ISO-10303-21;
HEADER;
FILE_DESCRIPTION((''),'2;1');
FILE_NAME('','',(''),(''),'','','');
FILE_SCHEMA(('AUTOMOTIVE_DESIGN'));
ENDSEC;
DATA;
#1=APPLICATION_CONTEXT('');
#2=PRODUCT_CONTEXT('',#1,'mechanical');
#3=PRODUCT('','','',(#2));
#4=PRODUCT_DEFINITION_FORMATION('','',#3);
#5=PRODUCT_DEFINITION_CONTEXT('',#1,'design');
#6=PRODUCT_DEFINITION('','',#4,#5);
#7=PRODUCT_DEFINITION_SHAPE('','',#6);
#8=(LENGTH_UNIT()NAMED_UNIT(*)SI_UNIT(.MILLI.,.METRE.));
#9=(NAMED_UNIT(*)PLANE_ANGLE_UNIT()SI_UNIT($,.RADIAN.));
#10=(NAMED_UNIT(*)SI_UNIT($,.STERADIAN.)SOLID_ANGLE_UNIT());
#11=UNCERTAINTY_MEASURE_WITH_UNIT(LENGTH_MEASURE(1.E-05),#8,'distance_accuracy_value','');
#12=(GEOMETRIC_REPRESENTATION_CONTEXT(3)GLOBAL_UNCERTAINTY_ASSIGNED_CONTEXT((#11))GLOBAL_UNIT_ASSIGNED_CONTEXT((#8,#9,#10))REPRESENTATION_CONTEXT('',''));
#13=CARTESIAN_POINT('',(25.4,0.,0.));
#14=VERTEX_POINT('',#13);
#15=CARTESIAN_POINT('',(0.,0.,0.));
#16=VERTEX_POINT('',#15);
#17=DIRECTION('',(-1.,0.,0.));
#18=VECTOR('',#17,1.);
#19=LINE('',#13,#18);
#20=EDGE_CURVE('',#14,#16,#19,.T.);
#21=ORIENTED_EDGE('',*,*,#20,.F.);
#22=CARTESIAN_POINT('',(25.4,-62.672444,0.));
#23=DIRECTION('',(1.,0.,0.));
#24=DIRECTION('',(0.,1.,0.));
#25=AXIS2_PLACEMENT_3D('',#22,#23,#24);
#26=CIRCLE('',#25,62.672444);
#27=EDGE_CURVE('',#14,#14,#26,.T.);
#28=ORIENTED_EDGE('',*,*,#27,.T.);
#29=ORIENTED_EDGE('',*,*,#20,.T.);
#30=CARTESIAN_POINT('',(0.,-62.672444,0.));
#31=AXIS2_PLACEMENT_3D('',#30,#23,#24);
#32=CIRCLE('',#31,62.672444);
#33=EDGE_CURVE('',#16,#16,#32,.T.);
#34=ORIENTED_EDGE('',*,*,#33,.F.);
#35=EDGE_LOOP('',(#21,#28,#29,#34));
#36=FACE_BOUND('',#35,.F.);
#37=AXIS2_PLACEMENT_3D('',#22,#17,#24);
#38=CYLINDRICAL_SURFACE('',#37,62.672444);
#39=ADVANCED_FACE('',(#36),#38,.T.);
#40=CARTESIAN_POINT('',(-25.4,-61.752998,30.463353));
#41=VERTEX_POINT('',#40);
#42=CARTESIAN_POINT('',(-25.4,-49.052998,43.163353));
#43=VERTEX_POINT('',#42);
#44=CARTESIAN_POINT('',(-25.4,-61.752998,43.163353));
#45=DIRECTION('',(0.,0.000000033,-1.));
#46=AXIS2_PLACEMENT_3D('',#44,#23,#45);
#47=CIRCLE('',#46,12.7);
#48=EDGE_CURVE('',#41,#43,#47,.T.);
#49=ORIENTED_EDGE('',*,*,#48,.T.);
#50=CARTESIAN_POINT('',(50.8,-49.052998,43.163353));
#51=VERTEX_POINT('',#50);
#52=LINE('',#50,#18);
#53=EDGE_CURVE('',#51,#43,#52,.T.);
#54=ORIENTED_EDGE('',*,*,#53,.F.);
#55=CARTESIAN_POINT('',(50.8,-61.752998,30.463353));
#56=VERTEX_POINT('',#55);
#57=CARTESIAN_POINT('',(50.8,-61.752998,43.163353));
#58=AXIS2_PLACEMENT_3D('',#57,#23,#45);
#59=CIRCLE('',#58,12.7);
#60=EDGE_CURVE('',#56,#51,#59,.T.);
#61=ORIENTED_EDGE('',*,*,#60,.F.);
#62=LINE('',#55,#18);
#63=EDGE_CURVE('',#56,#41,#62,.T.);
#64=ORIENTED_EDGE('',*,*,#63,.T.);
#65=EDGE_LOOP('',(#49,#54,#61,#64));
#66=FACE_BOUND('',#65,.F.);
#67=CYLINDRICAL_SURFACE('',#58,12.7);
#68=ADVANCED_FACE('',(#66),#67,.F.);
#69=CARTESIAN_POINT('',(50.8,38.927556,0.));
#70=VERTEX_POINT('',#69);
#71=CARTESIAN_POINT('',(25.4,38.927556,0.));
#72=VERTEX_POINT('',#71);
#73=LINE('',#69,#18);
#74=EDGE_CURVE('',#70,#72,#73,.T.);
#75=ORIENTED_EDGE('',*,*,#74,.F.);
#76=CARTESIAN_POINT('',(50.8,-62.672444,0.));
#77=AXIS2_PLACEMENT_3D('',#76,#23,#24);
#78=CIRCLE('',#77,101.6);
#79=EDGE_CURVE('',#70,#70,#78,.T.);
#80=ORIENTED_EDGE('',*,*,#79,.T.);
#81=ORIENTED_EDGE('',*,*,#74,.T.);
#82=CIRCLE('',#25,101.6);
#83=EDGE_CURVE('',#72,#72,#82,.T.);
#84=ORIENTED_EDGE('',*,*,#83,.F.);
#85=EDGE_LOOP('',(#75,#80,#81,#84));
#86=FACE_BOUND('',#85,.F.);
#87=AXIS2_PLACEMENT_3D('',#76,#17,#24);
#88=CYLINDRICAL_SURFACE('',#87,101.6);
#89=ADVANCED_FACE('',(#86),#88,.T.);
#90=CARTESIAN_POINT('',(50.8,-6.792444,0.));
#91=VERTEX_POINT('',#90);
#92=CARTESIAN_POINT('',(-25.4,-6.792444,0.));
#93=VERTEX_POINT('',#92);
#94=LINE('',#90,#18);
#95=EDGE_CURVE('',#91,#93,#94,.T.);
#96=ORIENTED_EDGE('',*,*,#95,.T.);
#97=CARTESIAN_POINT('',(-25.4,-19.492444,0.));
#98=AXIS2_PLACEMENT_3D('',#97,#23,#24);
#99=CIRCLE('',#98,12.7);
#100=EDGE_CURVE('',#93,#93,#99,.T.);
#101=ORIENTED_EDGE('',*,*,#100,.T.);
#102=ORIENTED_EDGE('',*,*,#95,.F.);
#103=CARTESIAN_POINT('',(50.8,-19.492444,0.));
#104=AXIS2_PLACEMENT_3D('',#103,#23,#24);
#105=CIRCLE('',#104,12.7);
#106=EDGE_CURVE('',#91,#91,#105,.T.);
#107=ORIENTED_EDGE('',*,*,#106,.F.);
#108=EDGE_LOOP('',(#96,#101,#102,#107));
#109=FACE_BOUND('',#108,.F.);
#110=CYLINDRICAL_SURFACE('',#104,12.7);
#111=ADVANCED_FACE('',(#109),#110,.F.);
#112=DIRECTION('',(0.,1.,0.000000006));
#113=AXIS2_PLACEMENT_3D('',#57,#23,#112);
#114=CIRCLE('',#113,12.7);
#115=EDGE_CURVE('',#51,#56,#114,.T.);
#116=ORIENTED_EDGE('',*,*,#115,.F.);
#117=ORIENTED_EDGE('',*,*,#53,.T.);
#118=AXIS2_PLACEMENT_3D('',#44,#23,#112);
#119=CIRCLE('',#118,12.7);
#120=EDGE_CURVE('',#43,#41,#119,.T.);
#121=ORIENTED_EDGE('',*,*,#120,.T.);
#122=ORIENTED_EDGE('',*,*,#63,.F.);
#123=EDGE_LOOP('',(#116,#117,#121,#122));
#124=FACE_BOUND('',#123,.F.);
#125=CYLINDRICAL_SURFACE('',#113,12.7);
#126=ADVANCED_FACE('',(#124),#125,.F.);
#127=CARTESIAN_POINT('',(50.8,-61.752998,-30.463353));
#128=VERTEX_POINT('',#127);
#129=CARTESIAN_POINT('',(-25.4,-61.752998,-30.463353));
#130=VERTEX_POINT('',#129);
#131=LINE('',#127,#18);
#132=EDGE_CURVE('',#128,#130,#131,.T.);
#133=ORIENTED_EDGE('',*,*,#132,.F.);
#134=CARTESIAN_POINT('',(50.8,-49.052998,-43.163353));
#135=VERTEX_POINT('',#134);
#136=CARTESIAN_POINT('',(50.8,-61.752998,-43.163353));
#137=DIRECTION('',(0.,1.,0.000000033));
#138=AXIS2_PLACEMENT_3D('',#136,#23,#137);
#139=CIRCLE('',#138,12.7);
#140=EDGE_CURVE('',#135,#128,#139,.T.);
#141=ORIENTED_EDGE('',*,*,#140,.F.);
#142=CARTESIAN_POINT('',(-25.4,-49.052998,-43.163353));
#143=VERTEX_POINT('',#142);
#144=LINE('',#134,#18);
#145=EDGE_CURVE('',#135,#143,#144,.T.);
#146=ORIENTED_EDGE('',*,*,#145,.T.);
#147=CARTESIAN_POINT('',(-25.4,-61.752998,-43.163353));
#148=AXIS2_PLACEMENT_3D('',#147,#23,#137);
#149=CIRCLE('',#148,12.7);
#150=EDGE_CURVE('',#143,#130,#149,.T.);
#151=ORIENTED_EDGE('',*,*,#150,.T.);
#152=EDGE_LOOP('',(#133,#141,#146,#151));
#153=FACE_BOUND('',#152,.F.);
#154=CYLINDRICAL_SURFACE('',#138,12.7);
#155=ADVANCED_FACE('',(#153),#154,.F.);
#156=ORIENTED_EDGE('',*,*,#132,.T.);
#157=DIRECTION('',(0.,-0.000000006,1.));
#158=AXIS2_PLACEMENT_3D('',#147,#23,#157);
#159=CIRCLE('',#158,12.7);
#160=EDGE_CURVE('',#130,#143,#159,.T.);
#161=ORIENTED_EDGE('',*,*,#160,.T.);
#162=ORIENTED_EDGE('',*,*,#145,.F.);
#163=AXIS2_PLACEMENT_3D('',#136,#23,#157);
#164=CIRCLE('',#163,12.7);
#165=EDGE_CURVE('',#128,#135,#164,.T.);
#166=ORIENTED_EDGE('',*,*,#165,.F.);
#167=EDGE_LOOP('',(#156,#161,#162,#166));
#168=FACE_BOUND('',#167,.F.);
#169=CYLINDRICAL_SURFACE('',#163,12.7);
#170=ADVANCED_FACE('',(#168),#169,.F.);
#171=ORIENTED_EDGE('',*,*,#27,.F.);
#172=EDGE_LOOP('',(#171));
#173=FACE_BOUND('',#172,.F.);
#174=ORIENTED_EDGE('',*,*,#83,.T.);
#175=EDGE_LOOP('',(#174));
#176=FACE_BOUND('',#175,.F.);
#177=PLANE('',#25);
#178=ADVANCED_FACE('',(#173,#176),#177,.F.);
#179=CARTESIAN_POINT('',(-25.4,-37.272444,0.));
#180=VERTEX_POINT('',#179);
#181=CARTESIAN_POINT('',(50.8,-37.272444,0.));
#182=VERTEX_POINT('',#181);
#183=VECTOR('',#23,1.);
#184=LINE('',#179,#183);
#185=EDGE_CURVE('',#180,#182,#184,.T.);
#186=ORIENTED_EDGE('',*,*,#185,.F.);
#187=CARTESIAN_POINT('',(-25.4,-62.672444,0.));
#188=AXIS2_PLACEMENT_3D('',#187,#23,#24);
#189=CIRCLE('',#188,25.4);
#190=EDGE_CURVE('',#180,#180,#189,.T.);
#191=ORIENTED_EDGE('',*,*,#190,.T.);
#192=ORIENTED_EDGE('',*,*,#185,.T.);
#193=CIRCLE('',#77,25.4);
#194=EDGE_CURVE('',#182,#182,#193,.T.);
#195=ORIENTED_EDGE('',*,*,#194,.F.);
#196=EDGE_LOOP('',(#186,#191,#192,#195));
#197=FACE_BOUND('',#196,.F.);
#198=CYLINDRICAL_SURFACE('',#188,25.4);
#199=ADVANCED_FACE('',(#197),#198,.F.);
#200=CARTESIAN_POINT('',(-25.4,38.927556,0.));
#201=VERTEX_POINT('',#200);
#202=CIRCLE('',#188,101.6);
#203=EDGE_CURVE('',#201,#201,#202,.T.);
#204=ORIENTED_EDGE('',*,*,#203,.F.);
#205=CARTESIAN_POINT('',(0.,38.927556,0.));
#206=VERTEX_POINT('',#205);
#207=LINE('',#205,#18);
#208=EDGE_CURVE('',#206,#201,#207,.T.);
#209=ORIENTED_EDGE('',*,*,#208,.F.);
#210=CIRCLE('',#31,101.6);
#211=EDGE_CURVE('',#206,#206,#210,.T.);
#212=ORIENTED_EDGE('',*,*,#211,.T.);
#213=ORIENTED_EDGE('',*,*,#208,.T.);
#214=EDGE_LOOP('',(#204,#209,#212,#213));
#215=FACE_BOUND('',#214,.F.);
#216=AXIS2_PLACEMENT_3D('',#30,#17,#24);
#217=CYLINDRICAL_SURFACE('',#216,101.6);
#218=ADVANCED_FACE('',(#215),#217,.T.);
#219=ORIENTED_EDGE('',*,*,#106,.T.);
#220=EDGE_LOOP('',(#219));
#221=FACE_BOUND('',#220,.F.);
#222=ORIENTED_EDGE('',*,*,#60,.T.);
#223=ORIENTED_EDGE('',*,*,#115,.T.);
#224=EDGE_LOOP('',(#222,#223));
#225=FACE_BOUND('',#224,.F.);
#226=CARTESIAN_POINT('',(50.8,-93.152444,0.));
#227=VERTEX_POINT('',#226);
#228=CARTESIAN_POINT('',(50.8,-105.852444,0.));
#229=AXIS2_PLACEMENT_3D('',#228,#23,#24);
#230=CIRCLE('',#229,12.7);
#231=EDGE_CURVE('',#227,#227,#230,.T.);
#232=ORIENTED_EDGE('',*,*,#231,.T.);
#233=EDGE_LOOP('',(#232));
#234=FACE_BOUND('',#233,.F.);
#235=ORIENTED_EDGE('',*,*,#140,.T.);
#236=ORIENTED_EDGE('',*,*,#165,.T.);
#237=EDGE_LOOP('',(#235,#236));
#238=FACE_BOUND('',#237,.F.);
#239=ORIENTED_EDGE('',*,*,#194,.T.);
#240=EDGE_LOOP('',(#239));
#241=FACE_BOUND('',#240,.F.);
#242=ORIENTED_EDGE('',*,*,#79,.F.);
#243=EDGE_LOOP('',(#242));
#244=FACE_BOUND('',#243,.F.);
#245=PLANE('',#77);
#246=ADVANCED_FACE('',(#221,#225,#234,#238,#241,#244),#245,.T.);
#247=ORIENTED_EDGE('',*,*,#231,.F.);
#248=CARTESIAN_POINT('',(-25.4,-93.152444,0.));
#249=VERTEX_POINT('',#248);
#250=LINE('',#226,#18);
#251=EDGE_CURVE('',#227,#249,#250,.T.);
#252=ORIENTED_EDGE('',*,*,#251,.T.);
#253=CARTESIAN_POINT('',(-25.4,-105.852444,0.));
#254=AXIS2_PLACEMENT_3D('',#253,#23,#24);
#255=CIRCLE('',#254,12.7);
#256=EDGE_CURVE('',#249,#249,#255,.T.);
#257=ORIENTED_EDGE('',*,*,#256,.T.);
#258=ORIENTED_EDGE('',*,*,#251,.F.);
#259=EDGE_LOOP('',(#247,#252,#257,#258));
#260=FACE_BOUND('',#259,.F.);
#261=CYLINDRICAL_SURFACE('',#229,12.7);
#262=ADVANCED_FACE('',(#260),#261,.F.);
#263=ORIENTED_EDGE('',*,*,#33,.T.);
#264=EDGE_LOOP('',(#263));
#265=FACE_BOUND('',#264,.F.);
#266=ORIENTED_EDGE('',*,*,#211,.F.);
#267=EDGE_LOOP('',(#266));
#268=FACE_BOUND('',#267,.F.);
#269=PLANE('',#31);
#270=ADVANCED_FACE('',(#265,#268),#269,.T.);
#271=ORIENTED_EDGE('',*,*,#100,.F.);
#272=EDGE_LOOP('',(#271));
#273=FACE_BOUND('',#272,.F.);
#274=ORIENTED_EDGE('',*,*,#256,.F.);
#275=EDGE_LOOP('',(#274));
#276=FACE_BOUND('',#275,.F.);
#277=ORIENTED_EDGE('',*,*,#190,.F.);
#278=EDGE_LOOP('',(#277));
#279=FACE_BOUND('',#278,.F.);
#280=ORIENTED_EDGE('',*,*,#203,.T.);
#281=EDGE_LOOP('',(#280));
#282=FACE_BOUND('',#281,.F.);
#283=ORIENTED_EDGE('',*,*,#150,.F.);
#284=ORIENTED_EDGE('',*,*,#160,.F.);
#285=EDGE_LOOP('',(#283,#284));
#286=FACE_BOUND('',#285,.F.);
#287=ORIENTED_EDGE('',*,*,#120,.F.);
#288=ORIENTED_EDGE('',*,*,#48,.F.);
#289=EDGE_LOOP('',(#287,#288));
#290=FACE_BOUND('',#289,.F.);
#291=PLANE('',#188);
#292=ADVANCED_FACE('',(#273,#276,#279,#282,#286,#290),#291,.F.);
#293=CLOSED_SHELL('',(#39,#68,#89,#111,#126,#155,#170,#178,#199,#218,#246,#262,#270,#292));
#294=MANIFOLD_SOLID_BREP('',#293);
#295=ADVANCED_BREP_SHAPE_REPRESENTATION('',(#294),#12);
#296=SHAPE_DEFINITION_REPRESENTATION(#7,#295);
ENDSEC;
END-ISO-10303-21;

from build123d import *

# Parameters (mm, degrees)
F2_R     = 12.7
F3_DEPTH = 76.2


with BuildPart() as f1:
    # F0 (on Top) → F1 (revolve)
    with BuildSketch(Plane.XY):
        Polygon((0, 38.927556), (-25.4, 38.927556), (-25.4, -37.272444), (50.8, -37.272444), (50.8, 38.927556), (25.4, 38.927556), (25.4, 0), (0, 0), align=None)
    revolve(axis=Axis((12.7, -62.672444, 0), (1, 0, 0)))

    # F2 (on face) → F3 (cut, through all)
    with BuildSketch(Plane.YZ.offset(50.8)):
        with BuildLine():
            ThreePointArc((-32.192444, 0), (-19.492444, -12.7), (-6.792444, 0))
            ThreePointArc((-6.792444, 0), (-19.492444, 12.7), (-32.192444, 0))
        make_face()
        with BuildLine():
            ThreePointArc((-61.752998, -30.463353), (-70.733254, -52.143609), (-49.052998, -43.163353))
            ThreePointArc((-49.052998, -43.163353), (-52.772742, -34.183097), (-61.752998, -30.463353))
        make_face()
        with Locations((-105.852444, 0)):
            Circle(F2_R)
        with BuildLine():
            ThreePointArc((-61.752998, 30.463353), (-52.772742, 34.183097), (-49.052998, 43.163353))
            ThreePointArc((-49.052998, 43.163353), (-70.733254, 52.143609), (-61.752998, 30.463353))
        make_face()
    extrude(amount=-F3_DEPTH, mode=Mode.SUBTRACT)


solid = f1.part
